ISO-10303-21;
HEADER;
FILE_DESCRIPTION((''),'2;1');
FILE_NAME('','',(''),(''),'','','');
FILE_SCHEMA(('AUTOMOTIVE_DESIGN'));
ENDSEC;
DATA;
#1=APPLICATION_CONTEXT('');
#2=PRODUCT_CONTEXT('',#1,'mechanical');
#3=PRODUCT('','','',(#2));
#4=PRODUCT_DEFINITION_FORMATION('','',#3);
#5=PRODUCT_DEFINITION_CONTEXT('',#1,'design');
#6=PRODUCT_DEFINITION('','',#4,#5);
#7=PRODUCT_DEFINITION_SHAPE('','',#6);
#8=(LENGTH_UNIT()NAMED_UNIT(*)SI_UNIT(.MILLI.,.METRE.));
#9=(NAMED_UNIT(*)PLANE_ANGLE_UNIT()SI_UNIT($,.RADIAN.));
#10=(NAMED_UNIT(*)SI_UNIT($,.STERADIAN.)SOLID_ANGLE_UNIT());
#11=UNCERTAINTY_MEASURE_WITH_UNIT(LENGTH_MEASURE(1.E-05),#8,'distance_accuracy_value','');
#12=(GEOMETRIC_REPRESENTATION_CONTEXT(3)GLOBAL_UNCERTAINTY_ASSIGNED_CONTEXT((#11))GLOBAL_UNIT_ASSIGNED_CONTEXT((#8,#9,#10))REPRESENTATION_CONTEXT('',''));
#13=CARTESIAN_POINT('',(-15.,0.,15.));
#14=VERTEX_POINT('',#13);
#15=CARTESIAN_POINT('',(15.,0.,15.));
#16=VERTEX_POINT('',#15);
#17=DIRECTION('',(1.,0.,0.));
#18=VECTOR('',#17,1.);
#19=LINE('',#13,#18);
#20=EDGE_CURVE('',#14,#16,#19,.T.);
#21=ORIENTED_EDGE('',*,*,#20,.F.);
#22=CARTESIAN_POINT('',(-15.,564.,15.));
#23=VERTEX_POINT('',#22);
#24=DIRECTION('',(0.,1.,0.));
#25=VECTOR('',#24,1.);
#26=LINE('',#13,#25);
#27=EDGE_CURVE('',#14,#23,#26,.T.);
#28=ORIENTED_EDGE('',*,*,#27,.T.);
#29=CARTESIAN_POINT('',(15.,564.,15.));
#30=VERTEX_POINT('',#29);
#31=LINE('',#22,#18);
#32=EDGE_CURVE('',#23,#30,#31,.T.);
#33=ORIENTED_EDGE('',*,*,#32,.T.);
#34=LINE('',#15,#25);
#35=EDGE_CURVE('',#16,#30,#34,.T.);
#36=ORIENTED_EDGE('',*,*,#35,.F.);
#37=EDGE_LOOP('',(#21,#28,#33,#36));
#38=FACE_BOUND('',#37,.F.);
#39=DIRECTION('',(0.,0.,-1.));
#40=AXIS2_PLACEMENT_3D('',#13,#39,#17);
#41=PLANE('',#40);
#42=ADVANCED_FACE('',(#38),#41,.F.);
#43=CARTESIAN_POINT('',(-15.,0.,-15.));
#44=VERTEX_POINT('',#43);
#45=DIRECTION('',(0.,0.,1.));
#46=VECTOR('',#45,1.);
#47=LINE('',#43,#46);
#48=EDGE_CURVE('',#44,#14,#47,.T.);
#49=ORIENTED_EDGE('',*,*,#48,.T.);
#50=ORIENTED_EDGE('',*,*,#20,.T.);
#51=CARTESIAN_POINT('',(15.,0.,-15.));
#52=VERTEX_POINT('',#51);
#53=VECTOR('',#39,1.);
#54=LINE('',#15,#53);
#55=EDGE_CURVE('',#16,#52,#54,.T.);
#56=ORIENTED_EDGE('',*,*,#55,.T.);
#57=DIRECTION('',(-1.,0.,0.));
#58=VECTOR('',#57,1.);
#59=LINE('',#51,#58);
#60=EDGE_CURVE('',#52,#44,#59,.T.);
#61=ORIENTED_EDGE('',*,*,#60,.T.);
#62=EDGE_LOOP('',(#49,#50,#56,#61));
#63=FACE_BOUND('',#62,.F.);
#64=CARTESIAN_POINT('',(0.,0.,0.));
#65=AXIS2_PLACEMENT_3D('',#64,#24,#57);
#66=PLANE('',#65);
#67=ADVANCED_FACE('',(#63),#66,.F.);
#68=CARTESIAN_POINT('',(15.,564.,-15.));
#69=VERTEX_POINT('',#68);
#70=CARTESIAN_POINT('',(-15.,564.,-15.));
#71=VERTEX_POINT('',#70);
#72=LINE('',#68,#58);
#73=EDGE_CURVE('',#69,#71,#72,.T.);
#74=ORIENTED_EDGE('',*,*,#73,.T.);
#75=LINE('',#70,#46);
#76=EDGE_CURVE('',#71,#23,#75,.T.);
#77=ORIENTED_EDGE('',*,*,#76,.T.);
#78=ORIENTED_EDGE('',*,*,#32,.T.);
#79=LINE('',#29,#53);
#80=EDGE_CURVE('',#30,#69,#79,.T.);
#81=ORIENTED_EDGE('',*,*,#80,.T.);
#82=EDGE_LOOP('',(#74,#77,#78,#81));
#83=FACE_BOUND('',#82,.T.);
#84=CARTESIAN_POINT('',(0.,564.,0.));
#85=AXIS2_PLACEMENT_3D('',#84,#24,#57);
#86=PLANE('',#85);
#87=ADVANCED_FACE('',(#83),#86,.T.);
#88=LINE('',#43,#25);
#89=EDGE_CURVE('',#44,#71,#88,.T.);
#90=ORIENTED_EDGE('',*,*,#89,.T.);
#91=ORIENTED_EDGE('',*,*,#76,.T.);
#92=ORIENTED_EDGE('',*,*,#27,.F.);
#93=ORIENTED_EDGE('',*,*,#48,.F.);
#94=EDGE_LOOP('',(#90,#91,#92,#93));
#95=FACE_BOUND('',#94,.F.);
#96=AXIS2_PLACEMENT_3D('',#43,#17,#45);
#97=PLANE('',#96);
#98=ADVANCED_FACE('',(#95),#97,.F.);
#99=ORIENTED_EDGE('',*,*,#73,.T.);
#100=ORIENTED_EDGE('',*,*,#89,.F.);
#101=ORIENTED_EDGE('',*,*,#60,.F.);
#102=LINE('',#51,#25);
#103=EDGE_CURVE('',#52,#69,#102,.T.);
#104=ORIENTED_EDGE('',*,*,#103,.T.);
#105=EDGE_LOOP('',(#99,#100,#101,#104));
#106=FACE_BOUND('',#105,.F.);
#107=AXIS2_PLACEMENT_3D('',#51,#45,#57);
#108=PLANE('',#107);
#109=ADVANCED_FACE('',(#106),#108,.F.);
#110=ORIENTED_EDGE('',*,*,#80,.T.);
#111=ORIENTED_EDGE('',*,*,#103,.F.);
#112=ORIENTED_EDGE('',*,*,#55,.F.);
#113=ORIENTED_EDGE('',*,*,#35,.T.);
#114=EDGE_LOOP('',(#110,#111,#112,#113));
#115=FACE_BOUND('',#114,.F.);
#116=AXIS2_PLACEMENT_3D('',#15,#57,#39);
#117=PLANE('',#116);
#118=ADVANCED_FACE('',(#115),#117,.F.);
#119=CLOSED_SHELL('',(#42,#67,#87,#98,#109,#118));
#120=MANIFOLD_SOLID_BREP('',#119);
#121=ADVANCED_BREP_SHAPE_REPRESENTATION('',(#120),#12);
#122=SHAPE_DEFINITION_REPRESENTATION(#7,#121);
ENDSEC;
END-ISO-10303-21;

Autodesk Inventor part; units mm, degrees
ref_plane "YZ Plane" through (0, 0, 0) normal (1, 0, 0) x (0, 1, 0)
ref_plane "XZ Plane" through (0, 0, 0) normal (0, 1, 0) x (-1, 0, 0)
ref_plane "XY Plane" through (0, 0, 0) normal (0, 0, 1) x (1, 0, 0)
sketch "Sketch1" plane through (0, 0, 0) normal (0, 1, 0) x (-1, 0, 0)
  line L0 (-15, -15) -> (15, -15)
  line L1 (15, -15) -> (15, 15)
  line L2 (15, 15) -> (-15, 15)
  line L3 (-15, 15) -> (-15, -15)
  line L4 (-15, -15) -> (15, 15) construction
  line L5 (15, -15) -> (-15, 15) construction
  point P0 (0, 0)
  dimension "d0" = 30
  dimension "d1" = 30
extrude "Extrusion1" add sketch "Sketch1" along normal blind 564
properties part number "listwa_do_szpulek"
